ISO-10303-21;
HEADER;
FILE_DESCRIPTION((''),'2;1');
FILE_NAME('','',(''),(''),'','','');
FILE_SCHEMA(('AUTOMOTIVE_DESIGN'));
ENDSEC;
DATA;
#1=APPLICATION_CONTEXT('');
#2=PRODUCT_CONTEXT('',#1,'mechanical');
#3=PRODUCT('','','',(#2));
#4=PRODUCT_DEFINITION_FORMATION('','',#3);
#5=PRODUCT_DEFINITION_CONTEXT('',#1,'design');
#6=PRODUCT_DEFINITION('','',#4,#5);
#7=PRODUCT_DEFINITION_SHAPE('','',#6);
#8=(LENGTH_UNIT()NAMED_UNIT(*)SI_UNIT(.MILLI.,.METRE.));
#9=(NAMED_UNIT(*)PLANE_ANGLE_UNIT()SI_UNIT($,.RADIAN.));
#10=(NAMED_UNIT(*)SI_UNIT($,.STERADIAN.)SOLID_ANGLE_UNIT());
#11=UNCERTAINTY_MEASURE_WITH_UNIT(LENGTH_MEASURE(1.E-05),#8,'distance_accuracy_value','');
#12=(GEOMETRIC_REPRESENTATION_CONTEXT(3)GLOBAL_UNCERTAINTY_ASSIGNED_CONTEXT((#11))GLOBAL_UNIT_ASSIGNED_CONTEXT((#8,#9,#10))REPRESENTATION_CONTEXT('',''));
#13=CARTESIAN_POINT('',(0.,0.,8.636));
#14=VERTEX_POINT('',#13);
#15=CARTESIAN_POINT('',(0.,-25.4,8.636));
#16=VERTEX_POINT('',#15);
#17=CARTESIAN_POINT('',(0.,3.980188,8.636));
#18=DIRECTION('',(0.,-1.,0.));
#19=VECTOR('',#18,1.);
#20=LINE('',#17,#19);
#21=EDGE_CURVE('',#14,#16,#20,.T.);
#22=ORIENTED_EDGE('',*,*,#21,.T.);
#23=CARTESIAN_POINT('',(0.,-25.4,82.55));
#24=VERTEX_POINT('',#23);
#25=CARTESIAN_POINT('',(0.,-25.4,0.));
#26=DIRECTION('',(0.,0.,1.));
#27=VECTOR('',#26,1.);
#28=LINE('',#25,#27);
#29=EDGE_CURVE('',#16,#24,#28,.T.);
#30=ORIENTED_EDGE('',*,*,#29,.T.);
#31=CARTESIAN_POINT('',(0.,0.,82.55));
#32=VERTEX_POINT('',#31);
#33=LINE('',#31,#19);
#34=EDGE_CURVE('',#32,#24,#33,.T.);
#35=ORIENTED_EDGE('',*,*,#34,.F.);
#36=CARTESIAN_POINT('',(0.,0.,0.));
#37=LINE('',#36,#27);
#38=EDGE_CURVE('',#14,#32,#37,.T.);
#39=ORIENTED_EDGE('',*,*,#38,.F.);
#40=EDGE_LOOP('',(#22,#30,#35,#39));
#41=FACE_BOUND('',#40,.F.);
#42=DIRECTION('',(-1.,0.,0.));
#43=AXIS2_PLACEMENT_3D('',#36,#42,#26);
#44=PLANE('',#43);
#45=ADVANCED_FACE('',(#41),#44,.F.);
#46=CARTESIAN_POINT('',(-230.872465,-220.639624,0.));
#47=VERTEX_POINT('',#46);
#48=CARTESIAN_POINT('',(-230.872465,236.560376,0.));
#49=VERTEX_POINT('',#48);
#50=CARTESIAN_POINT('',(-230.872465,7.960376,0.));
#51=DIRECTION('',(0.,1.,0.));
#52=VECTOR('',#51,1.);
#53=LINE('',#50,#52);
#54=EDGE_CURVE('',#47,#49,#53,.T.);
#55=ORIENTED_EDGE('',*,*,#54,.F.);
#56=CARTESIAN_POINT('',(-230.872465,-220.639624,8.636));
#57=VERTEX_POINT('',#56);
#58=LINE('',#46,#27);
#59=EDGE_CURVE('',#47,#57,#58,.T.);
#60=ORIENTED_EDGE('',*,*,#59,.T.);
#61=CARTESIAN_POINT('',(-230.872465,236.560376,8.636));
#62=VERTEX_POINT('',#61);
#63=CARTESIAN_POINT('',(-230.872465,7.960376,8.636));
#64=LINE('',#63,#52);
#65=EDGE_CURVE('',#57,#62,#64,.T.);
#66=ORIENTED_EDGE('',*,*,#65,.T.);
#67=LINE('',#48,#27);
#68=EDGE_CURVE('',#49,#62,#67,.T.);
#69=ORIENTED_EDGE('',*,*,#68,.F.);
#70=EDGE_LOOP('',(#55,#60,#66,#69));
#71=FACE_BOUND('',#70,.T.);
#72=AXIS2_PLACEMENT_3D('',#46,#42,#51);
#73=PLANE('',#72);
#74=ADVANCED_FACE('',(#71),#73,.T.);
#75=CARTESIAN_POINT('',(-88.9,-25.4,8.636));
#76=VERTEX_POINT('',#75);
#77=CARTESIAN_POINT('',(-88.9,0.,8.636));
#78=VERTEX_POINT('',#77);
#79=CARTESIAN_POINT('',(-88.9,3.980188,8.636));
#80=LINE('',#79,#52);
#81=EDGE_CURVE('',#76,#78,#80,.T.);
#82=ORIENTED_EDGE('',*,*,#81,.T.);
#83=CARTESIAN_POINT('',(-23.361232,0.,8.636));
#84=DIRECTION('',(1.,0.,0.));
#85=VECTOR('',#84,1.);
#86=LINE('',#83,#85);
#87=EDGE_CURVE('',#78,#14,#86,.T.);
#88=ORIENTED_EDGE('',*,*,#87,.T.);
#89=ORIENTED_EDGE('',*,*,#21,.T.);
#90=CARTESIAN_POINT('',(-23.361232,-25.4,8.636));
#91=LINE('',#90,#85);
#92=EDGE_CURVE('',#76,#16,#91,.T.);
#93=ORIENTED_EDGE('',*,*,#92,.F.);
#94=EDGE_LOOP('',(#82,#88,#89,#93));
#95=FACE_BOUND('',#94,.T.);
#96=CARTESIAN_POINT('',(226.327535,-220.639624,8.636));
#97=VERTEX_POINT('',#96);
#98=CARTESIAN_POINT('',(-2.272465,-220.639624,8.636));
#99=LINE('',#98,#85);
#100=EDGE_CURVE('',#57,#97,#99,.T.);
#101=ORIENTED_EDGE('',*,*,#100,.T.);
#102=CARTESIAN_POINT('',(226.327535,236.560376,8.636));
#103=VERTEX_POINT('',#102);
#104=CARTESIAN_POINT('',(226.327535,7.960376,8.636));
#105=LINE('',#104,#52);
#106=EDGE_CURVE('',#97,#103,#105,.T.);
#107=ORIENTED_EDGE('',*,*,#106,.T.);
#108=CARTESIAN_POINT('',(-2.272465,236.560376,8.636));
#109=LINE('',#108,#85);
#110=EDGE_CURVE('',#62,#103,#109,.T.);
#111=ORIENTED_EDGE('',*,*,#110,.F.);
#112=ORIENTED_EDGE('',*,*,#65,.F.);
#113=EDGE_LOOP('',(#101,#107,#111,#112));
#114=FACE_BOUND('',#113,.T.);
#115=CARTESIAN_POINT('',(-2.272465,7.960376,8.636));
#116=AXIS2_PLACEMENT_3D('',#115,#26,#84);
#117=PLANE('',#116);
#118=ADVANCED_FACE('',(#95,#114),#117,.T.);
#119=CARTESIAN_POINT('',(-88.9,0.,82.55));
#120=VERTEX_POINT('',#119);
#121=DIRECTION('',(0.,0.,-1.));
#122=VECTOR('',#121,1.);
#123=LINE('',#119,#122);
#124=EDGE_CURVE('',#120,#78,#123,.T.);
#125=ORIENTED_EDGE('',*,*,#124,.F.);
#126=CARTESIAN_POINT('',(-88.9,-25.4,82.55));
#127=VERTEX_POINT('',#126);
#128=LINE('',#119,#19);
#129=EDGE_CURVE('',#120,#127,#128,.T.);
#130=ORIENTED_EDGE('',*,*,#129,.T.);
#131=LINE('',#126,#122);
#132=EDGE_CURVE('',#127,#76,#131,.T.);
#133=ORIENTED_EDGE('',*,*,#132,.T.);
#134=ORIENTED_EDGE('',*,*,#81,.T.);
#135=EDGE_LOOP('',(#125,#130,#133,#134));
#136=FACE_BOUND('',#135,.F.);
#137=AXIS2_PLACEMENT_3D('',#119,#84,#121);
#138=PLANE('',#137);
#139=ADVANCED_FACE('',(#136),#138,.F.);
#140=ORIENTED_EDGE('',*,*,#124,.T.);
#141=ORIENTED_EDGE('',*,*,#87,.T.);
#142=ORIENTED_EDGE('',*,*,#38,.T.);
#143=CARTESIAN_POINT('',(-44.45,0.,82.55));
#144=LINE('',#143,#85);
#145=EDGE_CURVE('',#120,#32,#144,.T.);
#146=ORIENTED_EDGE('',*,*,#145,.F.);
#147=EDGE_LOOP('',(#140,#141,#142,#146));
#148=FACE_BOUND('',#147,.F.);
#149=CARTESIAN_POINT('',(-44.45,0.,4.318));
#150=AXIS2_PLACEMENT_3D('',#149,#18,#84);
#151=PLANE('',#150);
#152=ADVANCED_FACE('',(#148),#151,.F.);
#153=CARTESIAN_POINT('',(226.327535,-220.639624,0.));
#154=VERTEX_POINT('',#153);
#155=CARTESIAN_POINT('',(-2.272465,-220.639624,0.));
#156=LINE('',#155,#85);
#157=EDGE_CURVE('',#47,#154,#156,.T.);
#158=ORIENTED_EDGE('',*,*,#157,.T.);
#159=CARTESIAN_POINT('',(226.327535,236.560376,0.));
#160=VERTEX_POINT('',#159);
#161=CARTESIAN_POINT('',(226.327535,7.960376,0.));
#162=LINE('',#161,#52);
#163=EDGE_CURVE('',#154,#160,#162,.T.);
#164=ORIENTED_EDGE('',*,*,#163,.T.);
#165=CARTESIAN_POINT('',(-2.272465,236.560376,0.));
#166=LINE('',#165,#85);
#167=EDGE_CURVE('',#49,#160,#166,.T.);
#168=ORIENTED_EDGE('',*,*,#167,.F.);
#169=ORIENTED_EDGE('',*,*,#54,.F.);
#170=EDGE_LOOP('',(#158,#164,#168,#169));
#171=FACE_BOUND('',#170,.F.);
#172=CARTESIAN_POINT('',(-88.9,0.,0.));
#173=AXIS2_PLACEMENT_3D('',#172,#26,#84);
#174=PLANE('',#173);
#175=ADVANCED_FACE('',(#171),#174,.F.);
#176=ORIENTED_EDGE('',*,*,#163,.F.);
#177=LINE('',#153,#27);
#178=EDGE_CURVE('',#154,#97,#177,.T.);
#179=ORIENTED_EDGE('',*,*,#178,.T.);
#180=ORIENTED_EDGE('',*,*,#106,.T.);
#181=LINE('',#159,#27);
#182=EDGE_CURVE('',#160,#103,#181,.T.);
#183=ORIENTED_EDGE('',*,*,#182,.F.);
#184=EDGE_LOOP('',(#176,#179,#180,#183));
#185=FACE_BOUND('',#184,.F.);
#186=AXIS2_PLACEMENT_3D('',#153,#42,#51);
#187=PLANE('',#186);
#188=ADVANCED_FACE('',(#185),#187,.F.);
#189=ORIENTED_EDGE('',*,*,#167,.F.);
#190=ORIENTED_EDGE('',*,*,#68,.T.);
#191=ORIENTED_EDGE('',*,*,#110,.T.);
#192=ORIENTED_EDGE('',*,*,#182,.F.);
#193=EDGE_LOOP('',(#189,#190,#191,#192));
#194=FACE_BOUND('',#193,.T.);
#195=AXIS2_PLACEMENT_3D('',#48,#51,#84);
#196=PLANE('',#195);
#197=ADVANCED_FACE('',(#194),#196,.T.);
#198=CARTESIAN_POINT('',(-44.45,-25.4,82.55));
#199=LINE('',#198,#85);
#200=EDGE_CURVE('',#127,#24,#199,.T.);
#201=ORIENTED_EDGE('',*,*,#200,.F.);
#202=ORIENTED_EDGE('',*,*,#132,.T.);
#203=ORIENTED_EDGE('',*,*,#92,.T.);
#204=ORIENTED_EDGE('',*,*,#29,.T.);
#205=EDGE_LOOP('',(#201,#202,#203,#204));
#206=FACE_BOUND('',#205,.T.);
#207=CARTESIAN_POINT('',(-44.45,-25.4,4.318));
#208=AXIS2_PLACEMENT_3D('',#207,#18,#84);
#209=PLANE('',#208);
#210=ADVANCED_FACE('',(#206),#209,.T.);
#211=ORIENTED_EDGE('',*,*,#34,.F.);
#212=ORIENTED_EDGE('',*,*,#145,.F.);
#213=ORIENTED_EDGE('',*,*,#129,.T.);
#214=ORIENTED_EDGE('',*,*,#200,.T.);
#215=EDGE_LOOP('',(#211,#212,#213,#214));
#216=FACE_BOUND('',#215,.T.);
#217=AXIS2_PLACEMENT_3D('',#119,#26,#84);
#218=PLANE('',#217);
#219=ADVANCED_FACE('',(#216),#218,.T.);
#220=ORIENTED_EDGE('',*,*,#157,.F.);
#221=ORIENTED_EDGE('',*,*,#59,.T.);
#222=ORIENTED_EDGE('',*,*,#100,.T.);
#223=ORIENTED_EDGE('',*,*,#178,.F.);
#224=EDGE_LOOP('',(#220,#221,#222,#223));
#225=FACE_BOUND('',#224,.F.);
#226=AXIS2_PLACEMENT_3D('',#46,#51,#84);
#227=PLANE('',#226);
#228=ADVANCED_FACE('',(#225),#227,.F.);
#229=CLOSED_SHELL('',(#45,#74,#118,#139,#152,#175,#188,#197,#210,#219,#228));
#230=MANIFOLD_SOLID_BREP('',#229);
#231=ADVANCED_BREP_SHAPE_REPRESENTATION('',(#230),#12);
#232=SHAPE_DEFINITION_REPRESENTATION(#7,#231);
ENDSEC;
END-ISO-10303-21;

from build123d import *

# Parameters (mm, degrees)
F0_W     = 457.2
F0_H     = 457.2
F1_DEPTH = 8.636
F2_W     = 88.9
F2_H     = 8.636
F2_H_2   = 73.914
F3_DEPTH = 25.4


with BuildPart() as f1:
    # F0 (on Top) → F1 (new body)
    with BuildSketch(Plane.XY):
        with Locations((-2.272465, 7.960376)):
            Rectangle(F0_W, F0_H)
    extrude(amount=F1_DEPTH)

    # F2 (on Front) → F3 (join)
    with BuildSketch(Plane.XZ):
        with Locations((-44.45, 4.318)):
            Rectangle(F2_W, F2_H)
        with Locations((-44.45, 45.593)):
            Rectangle(F2_W, F2_H_2)
    extrude(amount=F3_DEPTH)


solid = f1.part
